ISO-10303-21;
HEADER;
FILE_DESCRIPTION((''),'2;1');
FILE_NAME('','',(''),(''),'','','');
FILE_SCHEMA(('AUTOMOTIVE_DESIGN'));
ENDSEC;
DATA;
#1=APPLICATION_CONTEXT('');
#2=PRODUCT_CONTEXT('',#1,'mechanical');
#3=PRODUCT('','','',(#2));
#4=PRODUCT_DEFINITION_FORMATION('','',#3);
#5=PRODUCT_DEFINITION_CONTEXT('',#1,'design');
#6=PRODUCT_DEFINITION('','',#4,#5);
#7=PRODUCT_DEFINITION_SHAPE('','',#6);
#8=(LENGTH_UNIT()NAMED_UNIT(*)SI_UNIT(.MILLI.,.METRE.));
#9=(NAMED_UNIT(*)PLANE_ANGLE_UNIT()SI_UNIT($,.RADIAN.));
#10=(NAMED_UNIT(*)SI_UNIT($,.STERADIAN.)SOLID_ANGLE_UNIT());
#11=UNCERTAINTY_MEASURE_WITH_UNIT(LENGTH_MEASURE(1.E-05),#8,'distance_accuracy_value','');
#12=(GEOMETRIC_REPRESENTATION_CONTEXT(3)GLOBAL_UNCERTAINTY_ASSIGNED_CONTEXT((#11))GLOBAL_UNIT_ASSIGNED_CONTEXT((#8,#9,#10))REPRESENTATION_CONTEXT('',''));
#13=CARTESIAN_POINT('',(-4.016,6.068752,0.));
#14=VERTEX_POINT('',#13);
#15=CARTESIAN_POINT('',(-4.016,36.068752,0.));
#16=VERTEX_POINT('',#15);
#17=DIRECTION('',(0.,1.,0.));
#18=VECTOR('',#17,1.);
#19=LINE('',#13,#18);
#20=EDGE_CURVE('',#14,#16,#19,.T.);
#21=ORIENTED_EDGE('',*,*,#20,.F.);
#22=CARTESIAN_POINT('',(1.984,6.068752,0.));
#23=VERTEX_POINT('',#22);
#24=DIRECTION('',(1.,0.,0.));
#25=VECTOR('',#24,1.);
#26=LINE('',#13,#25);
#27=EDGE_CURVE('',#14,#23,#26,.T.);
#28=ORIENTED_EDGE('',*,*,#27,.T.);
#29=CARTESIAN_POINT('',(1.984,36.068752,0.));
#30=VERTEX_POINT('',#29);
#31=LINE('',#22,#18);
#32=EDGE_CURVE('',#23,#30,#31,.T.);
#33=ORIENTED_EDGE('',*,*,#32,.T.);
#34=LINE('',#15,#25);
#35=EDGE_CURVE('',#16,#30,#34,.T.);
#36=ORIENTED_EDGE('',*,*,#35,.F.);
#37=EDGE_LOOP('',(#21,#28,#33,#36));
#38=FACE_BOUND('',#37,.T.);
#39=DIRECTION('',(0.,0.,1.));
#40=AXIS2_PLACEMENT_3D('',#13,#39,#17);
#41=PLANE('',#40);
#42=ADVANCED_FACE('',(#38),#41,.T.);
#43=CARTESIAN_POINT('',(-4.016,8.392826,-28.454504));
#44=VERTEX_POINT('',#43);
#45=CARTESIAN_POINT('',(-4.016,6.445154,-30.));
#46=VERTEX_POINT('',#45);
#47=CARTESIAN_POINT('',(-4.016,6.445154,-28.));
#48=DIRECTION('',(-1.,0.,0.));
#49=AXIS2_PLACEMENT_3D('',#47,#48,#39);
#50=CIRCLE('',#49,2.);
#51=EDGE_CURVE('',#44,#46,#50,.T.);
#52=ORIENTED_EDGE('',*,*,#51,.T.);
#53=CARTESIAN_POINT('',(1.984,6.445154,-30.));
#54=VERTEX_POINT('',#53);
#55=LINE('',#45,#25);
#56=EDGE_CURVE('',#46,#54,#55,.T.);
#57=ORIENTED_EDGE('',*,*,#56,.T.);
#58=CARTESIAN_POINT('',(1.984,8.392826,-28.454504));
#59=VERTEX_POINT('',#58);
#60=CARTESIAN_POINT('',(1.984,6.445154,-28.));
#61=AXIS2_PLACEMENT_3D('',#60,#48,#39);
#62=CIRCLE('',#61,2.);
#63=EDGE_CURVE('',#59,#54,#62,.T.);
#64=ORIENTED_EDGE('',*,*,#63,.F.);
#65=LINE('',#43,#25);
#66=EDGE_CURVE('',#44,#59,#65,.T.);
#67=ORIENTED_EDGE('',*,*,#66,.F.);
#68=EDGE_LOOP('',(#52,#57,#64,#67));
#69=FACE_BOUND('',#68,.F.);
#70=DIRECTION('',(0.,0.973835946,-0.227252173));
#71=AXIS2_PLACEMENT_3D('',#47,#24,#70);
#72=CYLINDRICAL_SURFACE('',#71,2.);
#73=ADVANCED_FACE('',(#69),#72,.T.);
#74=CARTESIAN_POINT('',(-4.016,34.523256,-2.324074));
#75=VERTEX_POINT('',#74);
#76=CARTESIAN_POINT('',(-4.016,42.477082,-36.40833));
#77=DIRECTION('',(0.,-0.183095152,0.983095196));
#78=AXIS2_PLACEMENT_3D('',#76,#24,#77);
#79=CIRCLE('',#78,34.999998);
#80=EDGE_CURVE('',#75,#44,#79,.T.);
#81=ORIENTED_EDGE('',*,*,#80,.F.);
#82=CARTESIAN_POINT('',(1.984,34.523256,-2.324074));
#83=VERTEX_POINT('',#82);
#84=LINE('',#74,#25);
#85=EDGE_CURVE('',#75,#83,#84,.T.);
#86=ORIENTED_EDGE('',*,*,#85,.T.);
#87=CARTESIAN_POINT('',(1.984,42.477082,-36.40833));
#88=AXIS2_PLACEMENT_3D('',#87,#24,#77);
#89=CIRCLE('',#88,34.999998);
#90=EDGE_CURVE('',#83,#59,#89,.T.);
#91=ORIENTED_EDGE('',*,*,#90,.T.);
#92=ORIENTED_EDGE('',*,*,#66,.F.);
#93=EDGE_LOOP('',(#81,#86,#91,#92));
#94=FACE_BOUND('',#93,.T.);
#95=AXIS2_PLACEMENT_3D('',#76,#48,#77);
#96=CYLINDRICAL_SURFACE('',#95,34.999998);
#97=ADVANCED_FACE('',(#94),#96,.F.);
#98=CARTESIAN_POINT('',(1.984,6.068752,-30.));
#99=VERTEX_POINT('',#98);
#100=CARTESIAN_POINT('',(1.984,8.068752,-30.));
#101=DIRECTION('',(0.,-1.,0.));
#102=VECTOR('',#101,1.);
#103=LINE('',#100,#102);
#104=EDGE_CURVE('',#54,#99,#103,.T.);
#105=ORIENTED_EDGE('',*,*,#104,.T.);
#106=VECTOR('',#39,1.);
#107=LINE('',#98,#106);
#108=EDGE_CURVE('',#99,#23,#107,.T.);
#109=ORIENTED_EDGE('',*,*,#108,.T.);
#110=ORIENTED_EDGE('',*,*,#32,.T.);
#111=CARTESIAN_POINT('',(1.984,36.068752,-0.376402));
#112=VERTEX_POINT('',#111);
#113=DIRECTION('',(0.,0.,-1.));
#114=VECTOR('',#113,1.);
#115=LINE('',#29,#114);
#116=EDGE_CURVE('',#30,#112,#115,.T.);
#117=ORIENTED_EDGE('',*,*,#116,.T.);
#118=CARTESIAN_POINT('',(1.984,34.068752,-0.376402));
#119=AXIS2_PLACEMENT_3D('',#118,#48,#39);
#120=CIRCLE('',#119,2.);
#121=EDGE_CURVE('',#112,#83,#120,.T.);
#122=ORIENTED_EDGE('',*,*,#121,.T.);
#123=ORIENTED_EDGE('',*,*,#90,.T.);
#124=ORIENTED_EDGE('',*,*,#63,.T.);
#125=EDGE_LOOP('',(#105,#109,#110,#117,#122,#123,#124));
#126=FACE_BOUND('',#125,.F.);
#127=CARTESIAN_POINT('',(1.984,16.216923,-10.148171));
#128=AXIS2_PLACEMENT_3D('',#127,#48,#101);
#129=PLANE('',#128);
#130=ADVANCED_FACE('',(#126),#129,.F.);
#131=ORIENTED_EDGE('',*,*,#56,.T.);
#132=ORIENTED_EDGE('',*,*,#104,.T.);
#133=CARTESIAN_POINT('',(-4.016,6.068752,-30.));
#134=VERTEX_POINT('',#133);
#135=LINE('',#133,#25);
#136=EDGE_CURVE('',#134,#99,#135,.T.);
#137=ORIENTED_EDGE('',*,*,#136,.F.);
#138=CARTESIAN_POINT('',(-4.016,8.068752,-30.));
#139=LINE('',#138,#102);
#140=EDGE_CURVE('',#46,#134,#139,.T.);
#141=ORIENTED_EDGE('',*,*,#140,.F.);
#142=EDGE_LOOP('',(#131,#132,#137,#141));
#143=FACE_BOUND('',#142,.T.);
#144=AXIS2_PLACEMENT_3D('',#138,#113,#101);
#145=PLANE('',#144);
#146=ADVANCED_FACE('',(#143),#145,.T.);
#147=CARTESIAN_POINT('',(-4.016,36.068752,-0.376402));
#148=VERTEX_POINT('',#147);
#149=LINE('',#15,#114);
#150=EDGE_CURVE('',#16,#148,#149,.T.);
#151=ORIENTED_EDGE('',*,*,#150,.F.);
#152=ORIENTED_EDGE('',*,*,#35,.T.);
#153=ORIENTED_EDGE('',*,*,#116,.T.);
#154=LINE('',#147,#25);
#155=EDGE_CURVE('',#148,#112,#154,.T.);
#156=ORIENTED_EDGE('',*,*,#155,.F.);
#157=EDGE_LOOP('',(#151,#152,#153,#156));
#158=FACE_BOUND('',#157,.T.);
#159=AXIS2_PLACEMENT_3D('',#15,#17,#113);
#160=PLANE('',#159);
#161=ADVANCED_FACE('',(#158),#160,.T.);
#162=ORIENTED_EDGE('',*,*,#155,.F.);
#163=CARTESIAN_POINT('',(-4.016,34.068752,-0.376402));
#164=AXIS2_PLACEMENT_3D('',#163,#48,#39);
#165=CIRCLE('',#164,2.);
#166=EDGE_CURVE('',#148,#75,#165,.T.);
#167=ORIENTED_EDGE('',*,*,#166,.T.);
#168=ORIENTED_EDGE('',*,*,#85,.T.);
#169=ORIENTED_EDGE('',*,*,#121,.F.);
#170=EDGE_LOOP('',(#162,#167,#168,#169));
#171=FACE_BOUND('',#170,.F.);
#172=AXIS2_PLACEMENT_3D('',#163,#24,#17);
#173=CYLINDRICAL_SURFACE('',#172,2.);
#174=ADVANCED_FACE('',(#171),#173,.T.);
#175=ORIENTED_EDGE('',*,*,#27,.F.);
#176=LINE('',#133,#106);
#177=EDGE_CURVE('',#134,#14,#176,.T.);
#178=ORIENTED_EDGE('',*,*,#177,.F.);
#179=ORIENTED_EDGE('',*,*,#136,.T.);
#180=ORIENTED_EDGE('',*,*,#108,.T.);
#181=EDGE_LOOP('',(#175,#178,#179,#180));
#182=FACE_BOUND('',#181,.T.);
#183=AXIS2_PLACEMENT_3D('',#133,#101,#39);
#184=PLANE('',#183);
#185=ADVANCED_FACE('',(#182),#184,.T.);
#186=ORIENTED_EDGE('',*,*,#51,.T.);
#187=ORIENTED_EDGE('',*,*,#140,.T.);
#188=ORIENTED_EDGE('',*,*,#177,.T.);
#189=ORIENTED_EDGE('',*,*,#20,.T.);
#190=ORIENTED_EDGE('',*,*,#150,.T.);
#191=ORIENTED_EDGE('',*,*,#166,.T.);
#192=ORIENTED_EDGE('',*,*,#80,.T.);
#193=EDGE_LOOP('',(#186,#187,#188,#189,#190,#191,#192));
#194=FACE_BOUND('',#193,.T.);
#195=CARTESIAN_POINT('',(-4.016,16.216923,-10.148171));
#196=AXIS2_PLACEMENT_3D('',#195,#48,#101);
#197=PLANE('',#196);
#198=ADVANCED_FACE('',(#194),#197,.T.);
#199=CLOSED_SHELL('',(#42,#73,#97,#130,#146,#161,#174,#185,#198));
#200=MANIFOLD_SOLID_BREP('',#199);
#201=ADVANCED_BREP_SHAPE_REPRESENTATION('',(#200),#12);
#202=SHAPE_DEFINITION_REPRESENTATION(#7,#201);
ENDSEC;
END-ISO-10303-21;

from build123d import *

# Parameters (mm, degrees)
PAD005_DEPTH = 6
FILLET_R     = 2
FILLET001_R  = 2


with BuildPart() as part:
    # Sketch013 → Pad005 (new body)
    with BuildSketch(Plane.YZ):
        with BuildLine():
            Line((6.011752, 0), (36.011752, 0))
            Line((36.011752, 0), (36.011752, -2))
            ThreePointArc((36.011752, -2), (17.671346, -11.659594), (8.011752, -30))
            Line((8.011752, -30), (6.011752, -30))
            Line((6.011752, -30), (6.011752, 0))
        make_face()
    extrude(amount=PAD005_DEPTH)

    # Fillet
    fillet_edges = [part.edges().sort_by_distance(p)[0] for p in [
        (3, 36.011752, -2),
    ]]
    fillet(fillet_edges, radius=FILLET_R)

    # Fillet001
    fillet001_edges = [part.edges().sort_by_distance(p)[0] for p in [
        (3, 8.011752, -30),
    ]]
    fillet(fillet001_edges, radius=FILLET001_R)


with BuildPart() as part_1:
    # Body004 placement: moved
    add(part.part.moved(Location((-4.016, 0.057, 0))))


solid = part_1.part
